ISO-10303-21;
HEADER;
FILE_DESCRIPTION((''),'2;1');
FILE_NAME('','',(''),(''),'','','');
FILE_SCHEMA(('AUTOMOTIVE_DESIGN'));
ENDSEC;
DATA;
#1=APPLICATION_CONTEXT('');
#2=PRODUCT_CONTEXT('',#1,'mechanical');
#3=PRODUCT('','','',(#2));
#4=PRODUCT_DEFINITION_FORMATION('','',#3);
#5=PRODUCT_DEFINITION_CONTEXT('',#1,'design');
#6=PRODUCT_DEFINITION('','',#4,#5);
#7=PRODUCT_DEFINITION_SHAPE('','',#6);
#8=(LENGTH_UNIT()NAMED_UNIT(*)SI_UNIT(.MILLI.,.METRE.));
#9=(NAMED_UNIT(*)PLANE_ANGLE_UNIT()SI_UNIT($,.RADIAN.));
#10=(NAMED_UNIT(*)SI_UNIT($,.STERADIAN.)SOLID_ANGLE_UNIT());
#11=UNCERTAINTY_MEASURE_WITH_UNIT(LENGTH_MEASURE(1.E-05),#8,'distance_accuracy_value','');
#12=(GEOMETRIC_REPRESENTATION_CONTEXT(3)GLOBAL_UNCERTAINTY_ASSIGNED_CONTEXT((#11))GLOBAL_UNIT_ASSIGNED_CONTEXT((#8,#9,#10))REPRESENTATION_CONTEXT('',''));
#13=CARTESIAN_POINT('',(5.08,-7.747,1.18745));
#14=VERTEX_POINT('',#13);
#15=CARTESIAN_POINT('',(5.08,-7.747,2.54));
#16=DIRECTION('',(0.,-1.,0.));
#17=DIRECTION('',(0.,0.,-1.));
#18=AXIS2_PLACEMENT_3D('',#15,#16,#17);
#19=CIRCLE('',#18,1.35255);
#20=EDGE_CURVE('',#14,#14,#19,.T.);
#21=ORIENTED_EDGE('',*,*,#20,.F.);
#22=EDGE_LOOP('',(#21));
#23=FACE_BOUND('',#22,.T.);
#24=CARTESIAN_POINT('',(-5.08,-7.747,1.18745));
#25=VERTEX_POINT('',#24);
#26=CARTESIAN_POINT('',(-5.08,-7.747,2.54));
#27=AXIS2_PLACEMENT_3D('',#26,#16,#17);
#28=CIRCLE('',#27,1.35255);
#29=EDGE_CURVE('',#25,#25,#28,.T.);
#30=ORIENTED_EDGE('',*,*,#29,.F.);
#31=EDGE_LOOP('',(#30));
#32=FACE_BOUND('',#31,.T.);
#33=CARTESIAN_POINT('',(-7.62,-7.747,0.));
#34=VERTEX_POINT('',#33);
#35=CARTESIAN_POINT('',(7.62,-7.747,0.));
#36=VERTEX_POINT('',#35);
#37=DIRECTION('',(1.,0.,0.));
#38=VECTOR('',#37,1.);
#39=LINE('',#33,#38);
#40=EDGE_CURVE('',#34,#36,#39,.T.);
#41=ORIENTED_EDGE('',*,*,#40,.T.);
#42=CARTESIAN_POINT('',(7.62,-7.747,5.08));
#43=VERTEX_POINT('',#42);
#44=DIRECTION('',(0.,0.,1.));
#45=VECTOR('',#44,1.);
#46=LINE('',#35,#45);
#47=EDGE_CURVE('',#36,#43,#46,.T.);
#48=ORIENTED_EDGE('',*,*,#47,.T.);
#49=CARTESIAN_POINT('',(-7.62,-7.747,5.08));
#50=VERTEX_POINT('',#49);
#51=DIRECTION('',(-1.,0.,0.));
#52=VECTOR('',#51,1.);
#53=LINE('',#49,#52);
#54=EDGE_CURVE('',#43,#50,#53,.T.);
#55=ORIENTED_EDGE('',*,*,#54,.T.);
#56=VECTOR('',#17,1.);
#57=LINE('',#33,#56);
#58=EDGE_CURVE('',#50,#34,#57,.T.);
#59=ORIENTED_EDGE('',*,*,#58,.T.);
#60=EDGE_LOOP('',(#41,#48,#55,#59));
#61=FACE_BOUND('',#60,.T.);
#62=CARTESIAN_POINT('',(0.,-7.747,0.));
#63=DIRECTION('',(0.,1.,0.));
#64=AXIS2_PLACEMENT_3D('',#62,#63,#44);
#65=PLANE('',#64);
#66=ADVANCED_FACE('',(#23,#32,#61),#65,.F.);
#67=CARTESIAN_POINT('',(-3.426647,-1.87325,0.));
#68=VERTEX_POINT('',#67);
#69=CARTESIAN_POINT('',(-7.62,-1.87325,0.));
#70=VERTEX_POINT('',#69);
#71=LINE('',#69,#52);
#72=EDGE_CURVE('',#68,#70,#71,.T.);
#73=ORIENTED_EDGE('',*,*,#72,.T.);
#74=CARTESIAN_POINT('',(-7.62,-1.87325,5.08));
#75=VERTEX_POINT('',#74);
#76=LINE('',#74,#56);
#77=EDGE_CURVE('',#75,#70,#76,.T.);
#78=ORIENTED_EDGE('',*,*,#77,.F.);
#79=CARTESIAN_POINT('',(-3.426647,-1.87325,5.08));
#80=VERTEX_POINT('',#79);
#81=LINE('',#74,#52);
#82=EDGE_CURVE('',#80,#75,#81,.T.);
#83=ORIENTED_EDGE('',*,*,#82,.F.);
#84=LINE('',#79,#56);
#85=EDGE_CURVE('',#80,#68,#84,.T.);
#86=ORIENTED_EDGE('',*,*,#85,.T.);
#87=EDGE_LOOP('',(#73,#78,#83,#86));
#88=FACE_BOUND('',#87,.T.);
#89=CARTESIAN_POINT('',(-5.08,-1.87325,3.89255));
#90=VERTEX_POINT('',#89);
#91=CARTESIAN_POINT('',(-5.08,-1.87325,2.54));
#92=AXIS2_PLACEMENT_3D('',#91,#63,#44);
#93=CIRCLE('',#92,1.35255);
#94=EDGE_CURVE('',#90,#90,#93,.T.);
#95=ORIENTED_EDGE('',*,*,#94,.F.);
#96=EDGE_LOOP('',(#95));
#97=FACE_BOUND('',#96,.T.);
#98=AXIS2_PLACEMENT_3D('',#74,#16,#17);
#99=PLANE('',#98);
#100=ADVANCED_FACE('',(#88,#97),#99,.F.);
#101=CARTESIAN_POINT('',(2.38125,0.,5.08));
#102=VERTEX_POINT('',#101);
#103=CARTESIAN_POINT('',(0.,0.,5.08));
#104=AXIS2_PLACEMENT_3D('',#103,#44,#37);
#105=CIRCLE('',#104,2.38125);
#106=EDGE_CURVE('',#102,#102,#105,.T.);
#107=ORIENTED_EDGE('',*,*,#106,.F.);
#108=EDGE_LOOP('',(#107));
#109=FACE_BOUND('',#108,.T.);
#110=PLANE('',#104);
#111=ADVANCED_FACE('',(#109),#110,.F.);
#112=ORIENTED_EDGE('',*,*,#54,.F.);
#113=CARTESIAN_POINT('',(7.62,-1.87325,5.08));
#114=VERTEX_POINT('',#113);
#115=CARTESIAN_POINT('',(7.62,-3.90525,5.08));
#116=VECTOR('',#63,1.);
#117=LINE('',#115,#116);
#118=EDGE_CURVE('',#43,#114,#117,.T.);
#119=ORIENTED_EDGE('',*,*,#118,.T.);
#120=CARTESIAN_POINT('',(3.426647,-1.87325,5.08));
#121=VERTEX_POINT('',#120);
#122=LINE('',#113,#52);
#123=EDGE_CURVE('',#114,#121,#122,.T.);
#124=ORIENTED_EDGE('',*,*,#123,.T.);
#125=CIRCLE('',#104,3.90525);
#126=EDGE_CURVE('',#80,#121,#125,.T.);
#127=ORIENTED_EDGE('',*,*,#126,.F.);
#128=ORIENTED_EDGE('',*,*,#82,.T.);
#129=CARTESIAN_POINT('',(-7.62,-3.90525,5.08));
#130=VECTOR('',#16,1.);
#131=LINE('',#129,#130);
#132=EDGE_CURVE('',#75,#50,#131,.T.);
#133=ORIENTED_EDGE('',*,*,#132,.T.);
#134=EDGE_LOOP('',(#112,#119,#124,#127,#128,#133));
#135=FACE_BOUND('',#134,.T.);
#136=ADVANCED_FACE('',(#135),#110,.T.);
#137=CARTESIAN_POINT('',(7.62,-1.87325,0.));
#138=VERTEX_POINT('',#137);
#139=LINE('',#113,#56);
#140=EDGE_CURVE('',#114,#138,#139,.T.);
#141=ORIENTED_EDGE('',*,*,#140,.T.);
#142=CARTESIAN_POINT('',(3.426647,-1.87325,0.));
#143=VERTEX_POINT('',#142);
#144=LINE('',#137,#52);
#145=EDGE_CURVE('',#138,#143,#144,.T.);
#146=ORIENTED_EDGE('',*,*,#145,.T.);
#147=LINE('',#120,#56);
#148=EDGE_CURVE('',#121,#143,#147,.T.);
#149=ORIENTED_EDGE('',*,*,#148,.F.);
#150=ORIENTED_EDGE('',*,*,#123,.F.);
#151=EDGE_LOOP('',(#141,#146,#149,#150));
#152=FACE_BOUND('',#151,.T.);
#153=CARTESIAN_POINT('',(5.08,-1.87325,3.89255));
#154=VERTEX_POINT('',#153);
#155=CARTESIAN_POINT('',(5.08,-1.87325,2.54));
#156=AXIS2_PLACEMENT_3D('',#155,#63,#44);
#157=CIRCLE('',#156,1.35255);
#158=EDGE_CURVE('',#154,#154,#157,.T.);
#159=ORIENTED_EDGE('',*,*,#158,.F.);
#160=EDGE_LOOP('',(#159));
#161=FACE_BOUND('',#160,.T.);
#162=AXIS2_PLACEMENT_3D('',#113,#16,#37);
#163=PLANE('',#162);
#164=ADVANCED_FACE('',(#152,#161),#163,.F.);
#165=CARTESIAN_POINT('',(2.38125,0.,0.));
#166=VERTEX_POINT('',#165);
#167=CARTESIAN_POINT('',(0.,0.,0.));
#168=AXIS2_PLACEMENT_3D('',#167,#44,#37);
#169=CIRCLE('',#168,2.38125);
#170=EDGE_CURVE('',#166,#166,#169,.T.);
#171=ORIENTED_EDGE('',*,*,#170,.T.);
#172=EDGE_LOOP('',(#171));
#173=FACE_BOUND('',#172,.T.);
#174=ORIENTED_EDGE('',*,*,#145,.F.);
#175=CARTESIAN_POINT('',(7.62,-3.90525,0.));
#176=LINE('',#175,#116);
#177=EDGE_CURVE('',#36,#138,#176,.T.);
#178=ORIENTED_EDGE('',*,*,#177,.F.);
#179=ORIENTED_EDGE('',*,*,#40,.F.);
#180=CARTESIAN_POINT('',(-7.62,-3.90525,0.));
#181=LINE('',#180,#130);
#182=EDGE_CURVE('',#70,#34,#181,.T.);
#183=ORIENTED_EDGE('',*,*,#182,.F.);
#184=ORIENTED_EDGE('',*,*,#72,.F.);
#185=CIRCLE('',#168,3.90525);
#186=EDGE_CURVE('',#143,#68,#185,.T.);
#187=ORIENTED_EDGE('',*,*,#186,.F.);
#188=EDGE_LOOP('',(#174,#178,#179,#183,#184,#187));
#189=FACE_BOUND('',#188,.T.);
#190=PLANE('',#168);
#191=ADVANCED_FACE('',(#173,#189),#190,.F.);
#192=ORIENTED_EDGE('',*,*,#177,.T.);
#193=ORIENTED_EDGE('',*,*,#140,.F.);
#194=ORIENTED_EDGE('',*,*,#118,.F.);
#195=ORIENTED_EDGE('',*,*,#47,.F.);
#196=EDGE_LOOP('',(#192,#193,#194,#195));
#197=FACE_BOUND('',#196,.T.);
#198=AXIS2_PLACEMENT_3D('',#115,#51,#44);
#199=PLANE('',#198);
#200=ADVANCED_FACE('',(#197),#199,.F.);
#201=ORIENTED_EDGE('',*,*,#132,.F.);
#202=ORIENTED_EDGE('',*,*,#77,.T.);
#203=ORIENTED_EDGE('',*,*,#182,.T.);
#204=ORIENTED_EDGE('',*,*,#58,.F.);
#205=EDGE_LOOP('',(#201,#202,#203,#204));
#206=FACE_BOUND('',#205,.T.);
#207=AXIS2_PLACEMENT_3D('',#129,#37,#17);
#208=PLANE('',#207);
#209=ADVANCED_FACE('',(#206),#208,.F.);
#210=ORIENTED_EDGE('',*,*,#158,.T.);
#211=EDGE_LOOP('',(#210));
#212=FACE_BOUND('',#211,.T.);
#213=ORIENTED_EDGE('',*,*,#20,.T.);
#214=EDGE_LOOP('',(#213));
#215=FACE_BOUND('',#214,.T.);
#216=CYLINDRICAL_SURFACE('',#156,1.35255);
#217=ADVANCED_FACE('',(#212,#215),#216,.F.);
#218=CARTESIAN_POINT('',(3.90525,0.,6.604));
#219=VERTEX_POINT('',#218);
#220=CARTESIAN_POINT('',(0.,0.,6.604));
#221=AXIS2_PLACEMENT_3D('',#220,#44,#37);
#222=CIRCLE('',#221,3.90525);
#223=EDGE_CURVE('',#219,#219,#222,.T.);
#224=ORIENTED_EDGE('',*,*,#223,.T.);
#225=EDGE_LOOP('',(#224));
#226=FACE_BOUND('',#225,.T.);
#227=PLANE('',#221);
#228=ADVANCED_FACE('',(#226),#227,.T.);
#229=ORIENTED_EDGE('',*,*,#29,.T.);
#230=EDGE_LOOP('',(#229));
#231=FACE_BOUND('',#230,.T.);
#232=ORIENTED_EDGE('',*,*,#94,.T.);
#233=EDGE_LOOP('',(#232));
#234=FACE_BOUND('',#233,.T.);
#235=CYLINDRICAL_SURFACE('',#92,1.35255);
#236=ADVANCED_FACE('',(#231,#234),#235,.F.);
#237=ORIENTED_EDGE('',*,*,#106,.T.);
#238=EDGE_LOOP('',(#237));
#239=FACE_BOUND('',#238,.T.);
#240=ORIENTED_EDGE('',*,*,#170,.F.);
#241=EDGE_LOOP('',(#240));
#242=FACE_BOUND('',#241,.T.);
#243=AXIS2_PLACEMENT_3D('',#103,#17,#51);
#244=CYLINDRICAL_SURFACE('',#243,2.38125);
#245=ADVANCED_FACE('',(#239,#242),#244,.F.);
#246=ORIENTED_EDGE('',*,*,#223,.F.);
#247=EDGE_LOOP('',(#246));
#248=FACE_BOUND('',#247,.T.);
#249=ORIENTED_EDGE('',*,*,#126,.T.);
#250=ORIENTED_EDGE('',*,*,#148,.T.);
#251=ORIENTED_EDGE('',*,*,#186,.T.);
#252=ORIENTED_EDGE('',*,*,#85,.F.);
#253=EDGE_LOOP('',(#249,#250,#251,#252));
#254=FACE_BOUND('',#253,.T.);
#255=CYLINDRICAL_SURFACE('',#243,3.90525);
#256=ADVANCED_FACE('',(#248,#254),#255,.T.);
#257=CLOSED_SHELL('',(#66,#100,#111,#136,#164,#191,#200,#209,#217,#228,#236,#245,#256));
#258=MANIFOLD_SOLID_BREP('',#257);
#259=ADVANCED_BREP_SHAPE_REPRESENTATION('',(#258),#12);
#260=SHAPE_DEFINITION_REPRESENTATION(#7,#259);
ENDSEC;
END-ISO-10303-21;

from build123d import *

# Parameters (mm, degrees)
SKETCH1_R                          = 2.38125
BOSS_EXTRUDE1_DEPTH                = 5.08
SKETCH2_R                          = 3.90525
BOSS_EXTRUDE2_DEPTH                = 1.524
TAP_DRILL_FOR_6_32_TAP1_AT_2_COUNT = 2
TAP_DRILL_FOR_6_32_TAP1_AT_2_PITCH = 10.16
SKETCH6_W                          = 15.24
SKETCH6_H                          = 5.08
SKETCH6_R                          = 1.35255
BOSS_EXTRUDE3_DEPTH                = 3.84175


with BuildPart() as part:
    # Sketch1 → Boss-Extrude1 (new body)
    with BuildSketch(Plane.XY):
        with BuildLine():
            Line((0, -3.90525), (-7.62, -3.90525))
            Line((-7.62, -3.90525), (-7.62, -1.87325))
            Line((-7.62, -1.87325), (-3.426647341, -1.87325))
            ThreePointArc((-3.426647341, -1.87325), (0, 3.90525), (3.426647341, -1.87325))
            Line((3.426647341, -1.87325), (7.62, -1.87325))
            Line((7.62, -1.87325), (7.62, -3.90525))
            Line((7.62, -3.90525), (0, -3.90525))
        make_face()
        Circle(SKETCH1_R, mode=Mode.SUBTRACT)
    extrude(amount=BOSS_EXTRUDE1_DEPTH)

    # Sketch2 → Boss-Extrude2 (add)
    with BuildSketch(Plane.XY.offset(5.08)):
        with Locations(Location((0, 0, 0), (0, 0, 208.664164633))):
            Circle(SKETCH2_R)
    extrude(amount=BOSS_EXTRUDE2_DEPTH)

    # Sketch4 → Tap Drill for #6-32 Tap1 (revolve, cut)
    with BuildSketch(Plane(origin=(-5.08, -1.87325, 2.54), x_dir=(0, 0, 1), z_dir=(1, 0, 0))):
        Polygon((0, 0), (0, 8.43269403), (1.35255, 7.62), (1.35255, 0), align=None)
    tap_drill_for_6_32_tap1 = revolve(axis=Axis((-5.08, 4.47675, 2.54), (0, -1, 0)), mode=Mode.SUBTRACT)

    # Tap Drill for #6-32 Tap1 at 2: Tap Drill for #6-32 Tap1 ×2
    with Locations(*[(i * TAP_DRILL_FOR_6_32_TAP1_AT_2_PITCH, 0, 0) for i in range(1, TAP_DRILL_FOR_6_32_TAP1_AT_2_COUNT)]):
        add(tap_drill_for_6_32_tap1, mode=Mode.SUBTRACT)

    # Sketch6 → Boss-Extrude3 (add)
    with BuildSketch(Plane.XZ.offset(3.90525)):
        with Locations((0, 2.54)):
            Rectangle(SKETCH6_W, SKETCH6_H)
        with Locations(Location((-5.08, 2.54, 0), (0, 0, 90))):
            Circle(SKETCH6_R, mode=Mode.SUBTRACT)
        with Locations(Location((5.08, 2.54, 0), (0, 0, 90))):
            Circle(SKETCH6_R, mode=Mode.SUBTRACT)
    extrude(amount=BOSS_EXTRUDE3_DEPTH)


solid = part.part
